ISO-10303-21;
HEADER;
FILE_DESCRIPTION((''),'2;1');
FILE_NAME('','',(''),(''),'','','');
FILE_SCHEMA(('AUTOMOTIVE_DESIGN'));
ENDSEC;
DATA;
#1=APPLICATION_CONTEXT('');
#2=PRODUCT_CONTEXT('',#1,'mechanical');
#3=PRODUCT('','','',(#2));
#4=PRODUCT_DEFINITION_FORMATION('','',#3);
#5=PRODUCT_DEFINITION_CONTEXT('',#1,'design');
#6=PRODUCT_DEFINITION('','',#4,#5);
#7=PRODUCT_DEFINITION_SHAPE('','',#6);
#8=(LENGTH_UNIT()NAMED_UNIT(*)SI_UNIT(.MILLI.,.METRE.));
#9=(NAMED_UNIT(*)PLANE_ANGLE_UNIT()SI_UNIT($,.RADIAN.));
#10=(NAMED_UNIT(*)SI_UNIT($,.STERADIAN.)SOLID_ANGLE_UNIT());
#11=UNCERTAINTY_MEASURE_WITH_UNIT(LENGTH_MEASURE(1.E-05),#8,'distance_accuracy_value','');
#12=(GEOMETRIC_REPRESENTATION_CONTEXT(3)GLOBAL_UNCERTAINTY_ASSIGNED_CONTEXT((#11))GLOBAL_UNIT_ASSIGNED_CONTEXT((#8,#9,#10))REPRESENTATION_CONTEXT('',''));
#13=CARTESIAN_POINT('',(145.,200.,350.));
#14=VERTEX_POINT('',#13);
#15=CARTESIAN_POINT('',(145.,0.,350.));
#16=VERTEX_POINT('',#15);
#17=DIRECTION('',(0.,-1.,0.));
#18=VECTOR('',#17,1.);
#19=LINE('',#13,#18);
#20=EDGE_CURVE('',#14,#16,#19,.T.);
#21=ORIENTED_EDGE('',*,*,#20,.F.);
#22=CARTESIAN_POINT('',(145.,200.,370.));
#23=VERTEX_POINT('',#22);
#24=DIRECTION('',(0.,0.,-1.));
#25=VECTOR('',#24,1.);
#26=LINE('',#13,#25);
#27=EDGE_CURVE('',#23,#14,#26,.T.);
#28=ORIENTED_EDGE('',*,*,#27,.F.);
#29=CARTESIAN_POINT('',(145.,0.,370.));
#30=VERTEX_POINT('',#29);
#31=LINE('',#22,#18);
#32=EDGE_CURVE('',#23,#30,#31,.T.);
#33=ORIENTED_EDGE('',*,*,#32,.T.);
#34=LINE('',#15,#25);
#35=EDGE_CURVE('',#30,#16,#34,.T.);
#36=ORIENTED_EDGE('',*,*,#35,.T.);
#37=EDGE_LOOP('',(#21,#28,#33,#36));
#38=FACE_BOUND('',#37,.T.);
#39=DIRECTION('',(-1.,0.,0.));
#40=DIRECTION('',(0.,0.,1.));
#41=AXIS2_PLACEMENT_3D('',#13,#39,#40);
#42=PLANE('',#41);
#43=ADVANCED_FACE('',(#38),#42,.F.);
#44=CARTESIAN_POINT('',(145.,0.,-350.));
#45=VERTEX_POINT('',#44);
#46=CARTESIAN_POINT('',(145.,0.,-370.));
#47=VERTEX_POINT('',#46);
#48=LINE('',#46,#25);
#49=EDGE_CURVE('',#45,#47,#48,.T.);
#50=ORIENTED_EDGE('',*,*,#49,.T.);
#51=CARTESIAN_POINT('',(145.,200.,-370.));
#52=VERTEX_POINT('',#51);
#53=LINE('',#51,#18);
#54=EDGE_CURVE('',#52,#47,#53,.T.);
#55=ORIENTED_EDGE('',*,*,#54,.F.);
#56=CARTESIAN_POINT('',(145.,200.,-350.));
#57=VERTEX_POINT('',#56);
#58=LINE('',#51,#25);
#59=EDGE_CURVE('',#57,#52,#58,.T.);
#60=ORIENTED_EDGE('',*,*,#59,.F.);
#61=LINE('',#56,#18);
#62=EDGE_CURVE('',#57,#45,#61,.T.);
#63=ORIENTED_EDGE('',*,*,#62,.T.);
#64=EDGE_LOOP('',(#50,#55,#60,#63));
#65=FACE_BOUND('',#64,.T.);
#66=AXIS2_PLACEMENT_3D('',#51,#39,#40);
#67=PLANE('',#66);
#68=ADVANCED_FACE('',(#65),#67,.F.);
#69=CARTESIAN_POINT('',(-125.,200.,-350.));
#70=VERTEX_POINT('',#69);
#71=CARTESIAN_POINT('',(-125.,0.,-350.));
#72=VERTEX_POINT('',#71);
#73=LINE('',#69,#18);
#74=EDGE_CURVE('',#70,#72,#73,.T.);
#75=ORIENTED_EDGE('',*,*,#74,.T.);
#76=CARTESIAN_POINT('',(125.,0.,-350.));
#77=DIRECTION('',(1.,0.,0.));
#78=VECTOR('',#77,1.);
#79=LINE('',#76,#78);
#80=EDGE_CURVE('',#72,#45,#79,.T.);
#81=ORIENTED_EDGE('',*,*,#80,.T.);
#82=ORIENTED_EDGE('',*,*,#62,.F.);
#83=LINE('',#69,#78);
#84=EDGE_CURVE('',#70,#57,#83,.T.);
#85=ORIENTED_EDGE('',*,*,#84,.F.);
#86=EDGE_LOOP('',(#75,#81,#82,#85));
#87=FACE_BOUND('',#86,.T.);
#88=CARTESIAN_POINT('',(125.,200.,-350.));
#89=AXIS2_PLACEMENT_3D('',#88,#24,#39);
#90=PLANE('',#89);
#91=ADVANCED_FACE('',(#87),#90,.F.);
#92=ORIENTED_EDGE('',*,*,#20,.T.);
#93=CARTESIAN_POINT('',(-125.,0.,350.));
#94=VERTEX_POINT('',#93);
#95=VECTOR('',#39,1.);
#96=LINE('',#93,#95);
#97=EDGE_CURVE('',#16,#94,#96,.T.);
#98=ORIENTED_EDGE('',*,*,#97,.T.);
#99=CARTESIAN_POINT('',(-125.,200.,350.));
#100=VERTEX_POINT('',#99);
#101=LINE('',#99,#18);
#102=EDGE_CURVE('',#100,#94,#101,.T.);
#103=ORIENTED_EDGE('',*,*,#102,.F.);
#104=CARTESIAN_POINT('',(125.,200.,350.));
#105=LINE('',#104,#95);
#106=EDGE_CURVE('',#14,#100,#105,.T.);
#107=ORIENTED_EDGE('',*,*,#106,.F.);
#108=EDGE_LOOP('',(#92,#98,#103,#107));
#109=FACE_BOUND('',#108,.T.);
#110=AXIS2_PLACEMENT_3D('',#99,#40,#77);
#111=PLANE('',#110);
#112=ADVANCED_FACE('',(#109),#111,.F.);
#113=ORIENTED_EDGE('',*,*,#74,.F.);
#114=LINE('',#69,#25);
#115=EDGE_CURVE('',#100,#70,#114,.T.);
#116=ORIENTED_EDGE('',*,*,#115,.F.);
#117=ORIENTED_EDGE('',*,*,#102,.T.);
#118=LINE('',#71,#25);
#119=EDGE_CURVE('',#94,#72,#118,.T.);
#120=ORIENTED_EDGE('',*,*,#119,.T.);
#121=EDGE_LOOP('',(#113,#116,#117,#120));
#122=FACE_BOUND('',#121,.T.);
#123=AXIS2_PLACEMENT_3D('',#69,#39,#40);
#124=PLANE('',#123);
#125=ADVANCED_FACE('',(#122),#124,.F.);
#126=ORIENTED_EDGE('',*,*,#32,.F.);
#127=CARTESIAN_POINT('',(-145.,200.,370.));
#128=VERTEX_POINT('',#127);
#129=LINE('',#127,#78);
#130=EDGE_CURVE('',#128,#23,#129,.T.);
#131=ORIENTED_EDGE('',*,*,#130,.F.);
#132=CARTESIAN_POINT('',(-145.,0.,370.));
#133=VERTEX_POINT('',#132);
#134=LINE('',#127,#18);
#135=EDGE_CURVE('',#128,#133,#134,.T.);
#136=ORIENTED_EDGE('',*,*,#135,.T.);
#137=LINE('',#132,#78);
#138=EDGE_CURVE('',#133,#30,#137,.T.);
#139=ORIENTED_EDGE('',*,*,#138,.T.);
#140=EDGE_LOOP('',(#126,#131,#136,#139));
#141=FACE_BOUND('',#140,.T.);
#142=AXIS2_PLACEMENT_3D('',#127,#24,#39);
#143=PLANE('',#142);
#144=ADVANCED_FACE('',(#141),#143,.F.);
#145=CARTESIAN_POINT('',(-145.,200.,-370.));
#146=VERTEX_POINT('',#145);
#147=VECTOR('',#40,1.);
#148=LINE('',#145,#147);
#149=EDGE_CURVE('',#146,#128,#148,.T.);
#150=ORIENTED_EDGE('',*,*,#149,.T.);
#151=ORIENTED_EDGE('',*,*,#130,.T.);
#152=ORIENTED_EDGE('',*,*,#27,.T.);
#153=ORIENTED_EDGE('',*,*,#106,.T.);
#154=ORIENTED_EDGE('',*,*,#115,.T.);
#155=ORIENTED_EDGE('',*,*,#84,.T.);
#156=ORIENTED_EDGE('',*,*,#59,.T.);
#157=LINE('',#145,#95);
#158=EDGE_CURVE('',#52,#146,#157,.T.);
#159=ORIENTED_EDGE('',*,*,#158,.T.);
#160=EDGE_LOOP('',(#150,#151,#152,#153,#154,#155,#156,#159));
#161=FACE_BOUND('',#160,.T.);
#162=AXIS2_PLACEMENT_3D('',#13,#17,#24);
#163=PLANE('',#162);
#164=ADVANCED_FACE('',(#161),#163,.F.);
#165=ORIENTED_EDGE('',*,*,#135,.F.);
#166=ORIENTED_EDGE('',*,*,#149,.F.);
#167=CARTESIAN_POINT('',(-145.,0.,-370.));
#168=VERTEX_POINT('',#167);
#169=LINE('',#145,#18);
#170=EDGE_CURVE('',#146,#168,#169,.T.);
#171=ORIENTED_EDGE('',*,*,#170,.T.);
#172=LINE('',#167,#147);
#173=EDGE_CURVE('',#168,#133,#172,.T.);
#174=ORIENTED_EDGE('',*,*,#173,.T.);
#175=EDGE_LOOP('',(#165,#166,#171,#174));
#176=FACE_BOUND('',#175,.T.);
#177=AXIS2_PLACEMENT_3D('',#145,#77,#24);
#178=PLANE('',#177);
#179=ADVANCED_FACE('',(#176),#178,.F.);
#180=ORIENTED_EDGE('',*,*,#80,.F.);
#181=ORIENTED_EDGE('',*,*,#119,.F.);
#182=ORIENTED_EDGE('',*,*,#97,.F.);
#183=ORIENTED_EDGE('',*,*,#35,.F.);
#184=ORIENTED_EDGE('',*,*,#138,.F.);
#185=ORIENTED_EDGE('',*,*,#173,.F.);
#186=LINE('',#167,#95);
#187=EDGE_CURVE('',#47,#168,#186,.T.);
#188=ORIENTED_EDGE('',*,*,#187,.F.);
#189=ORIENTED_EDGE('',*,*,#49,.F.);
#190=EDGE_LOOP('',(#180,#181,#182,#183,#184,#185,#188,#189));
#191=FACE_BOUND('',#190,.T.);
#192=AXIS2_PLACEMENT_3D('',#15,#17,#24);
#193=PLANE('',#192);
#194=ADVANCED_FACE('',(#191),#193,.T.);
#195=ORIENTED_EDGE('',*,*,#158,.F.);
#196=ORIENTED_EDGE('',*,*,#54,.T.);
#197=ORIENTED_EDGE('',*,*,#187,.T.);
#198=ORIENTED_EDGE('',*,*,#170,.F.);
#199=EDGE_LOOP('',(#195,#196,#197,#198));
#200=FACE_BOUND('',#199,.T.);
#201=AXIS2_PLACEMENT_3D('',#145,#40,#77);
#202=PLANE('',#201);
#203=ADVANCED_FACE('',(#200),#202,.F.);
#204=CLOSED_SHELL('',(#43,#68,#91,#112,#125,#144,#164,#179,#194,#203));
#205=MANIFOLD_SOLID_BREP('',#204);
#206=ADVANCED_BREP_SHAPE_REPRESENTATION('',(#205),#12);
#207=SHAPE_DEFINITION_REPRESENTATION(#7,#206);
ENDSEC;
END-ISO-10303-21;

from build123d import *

# Parameters (mm, degrees)
BOSS_EXTRUDE1_DEPTH = 200


with BuildPart() as part:
    # Sketch3 → Boss-Extrude1 (new body)
    with BuildSketch(Plane(origin=(0, 0, 0), x_dir=(1, 0, 0), z_dir=(0, 1, 0))):
        Polygon((-145, 370), (145, 370), (145, 350), (125, 350), (-125, 350), (-125, -350), (125, -350), (145, -350), (145, -370), (-145, -370), align=None)
    extrude(amount=BOSS_EXTRUDE1_DEPTH)


solid = part.part
